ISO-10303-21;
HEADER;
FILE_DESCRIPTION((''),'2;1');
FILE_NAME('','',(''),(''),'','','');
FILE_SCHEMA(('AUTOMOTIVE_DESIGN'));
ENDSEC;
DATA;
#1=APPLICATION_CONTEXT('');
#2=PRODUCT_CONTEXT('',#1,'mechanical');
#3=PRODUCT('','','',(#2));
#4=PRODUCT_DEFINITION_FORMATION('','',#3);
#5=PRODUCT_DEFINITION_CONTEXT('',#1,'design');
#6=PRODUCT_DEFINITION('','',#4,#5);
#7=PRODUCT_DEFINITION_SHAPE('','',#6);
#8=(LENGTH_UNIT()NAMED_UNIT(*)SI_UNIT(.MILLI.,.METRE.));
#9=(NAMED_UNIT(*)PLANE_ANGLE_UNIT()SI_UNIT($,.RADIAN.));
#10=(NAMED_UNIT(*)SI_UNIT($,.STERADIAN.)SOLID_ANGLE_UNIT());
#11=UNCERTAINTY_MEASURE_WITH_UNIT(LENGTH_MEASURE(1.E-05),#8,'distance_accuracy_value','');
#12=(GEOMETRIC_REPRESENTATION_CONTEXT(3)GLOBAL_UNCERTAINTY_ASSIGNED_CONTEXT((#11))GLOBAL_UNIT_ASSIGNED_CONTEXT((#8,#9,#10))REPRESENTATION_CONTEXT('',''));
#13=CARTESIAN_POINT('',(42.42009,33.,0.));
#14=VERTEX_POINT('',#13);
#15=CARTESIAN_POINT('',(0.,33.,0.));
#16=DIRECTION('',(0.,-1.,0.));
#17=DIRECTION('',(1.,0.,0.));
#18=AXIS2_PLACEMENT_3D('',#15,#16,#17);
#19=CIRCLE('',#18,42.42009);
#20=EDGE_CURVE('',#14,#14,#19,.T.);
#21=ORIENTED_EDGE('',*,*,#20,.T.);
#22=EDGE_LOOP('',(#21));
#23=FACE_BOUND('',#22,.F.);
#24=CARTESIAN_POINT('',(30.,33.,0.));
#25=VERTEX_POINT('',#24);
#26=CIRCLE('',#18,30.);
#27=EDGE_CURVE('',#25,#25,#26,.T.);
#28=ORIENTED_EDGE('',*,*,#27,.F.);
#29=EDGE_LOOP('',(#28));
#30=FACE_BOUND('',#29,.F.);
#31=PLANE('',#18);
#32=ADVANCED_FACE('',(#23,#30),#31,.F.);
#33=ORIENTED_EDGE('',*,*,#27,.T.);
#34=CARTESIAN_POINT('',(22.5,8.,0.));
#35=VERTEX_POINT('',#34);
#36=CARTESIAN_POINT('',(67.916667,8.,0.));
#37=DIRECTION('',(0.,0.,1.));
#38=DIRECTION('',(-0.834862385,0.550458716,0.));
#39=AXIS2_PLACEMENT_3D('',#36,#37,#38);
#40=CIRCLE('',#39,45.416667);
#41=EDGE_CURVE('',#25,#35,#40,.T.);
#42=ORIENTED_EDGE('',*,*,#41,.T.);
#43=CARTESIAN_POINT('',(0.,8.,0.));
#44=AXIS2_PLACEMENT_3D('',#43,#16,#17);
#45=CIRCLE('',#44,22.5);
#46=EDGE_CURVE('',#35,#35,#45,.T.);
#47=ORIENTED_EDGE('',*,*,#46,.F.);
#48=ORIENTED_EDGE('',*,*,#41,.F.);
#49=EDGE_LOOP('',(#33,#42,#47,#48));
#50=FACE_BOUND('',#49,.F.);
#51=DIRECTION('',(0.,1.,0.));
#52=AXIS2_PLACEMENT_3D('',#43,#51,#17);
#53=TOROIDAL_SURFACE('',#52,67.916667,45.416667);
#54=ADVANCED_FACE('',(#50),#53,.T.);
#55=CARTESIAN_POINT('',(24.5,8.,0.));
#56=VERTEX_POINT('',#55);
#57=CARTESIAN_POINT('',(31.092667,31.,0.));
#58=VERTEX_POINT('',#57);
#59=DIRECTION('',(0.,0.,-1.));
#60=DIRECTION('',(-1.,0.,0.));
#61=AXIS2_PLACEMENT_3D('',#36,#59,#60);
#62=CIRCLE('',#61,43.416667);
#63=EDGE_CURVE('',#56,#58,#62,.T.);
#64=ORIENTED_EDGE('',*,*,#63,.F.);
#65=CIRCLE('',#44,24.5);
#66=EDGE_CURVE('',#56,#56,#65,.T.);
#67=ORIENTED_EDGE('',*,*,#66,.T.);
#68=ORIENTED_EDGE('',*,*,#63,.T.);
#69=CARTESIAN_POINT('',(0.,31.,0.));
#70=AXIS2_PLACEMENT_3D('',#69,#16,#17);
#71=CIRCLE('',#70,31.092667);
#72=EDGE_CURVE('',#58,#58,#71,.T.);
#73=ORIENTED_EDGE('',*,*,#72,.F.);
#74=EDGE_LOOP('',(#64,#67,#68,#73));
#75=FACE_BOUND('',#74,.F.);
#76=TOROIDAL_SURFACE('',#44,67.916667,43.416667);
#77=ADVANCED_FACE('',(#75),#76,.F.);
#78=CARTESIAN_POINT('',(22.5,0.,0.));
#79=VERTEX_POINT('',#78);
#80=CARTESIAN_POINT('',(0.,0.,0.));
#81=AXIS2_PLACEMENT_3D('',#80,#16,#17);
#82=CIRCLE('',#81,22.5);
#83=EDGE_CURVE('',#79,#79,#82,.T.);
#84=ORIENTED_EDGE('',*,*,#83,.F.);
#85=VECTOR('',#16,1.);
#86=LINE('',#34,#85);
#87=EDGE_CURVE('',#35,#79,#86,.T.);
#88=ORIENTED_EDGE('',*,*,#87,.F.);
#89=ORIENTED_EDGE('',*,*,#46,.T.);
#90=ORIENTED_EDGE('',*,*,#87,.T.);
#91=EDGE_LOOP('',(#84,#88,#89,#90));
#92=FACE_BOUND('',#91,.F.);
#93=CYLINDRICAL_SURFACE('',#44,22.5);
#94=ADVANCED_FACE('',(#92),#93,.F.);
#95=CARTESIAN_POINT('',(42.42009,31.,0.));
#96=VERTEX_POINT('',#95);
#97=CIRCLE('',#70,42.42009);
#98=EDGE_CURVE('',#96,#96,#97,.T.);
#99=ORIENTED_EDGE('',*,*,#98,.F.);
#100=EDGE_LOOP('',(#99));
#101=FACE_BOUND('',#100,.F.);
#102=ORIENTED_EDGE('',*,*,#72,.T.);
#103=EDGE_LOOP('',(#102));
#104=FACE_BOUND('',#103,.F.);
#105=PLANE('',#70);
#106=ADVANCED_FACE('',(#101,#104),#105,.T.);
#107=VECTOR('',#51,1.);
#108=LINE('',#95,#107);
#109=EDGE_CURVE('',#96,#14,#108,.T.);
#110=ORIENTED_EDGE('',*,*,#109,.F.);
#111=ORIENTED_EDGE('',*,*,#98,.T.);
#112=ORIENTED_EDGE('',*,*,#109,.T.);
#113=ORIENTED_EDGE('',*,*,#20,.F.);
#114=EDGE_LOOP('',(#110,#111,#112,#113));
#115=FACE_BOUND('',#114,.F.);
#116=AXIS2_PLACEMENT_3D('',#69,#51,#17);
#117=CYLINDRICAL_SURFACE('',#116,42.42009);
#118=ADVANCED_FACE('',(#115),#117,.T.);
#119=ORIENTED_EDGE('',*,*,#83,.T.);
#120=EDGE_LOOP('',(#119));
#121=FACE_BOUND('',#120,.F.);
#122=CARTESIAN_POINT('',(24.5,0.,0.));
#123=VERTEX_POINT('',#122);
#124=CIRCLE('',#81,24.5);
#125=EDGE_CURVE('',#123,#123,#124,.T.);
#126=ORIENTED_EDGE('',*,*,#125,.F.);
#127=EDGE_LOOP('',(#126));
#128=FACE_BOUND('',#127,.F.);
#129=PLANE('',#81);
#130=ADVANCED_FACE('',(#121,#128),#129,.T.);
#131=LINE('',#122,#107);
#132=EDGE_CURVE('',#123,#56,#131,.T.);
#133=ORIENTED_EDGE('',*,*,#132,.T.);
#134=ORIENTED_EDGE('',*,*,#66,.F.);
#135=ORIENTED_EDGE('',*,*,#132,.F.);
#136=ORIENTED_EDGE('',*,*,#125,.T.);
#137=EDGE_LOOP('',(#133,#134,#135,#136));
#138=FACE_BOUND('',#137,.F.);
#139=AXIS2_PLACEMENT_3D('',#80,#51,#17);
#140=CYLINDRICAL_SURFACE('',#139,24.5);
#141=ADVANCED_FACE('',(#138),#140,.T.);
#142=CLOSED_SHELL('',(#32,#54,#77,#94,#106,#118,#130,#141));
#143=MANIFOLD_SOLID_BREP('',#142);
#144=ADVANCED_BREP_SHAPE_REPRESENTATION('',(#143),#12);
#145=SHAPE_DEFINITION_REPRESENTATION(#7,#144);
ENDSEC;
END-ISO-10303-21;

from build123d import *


with BuildPart() as f2:
    # F0 (on Top) → F2 (revolve)
    with BuildSketch(Plane.XY):
        with BuildLine():
            Line((22.5, 8), (22.5, 0))
            Line((22.5, 0), (24.5, 0))
            Line((24.5, 0), (24.5, 8))
            ThreePointArc((24.5, 8), (26.1806974125, 19.9631022255), (31.0926670951, 31))
            Line((31.0926670951, 31), (42.4200901494, 31))
            Line((42.4200901494, 31), (42.4200901494, 33))
            Line((42.4200901494, 33), (32.4200901494, 33))
            Line((32.4200901494, 33), (30, 33))
            ThreePointArc((30, 33), (24.4153895462, 21.0503831361), (22.5, 8))
        make_face()
    revolve(axis=Axis((0, 0, 0), (0, -1, 0)))


solid = f2.part
